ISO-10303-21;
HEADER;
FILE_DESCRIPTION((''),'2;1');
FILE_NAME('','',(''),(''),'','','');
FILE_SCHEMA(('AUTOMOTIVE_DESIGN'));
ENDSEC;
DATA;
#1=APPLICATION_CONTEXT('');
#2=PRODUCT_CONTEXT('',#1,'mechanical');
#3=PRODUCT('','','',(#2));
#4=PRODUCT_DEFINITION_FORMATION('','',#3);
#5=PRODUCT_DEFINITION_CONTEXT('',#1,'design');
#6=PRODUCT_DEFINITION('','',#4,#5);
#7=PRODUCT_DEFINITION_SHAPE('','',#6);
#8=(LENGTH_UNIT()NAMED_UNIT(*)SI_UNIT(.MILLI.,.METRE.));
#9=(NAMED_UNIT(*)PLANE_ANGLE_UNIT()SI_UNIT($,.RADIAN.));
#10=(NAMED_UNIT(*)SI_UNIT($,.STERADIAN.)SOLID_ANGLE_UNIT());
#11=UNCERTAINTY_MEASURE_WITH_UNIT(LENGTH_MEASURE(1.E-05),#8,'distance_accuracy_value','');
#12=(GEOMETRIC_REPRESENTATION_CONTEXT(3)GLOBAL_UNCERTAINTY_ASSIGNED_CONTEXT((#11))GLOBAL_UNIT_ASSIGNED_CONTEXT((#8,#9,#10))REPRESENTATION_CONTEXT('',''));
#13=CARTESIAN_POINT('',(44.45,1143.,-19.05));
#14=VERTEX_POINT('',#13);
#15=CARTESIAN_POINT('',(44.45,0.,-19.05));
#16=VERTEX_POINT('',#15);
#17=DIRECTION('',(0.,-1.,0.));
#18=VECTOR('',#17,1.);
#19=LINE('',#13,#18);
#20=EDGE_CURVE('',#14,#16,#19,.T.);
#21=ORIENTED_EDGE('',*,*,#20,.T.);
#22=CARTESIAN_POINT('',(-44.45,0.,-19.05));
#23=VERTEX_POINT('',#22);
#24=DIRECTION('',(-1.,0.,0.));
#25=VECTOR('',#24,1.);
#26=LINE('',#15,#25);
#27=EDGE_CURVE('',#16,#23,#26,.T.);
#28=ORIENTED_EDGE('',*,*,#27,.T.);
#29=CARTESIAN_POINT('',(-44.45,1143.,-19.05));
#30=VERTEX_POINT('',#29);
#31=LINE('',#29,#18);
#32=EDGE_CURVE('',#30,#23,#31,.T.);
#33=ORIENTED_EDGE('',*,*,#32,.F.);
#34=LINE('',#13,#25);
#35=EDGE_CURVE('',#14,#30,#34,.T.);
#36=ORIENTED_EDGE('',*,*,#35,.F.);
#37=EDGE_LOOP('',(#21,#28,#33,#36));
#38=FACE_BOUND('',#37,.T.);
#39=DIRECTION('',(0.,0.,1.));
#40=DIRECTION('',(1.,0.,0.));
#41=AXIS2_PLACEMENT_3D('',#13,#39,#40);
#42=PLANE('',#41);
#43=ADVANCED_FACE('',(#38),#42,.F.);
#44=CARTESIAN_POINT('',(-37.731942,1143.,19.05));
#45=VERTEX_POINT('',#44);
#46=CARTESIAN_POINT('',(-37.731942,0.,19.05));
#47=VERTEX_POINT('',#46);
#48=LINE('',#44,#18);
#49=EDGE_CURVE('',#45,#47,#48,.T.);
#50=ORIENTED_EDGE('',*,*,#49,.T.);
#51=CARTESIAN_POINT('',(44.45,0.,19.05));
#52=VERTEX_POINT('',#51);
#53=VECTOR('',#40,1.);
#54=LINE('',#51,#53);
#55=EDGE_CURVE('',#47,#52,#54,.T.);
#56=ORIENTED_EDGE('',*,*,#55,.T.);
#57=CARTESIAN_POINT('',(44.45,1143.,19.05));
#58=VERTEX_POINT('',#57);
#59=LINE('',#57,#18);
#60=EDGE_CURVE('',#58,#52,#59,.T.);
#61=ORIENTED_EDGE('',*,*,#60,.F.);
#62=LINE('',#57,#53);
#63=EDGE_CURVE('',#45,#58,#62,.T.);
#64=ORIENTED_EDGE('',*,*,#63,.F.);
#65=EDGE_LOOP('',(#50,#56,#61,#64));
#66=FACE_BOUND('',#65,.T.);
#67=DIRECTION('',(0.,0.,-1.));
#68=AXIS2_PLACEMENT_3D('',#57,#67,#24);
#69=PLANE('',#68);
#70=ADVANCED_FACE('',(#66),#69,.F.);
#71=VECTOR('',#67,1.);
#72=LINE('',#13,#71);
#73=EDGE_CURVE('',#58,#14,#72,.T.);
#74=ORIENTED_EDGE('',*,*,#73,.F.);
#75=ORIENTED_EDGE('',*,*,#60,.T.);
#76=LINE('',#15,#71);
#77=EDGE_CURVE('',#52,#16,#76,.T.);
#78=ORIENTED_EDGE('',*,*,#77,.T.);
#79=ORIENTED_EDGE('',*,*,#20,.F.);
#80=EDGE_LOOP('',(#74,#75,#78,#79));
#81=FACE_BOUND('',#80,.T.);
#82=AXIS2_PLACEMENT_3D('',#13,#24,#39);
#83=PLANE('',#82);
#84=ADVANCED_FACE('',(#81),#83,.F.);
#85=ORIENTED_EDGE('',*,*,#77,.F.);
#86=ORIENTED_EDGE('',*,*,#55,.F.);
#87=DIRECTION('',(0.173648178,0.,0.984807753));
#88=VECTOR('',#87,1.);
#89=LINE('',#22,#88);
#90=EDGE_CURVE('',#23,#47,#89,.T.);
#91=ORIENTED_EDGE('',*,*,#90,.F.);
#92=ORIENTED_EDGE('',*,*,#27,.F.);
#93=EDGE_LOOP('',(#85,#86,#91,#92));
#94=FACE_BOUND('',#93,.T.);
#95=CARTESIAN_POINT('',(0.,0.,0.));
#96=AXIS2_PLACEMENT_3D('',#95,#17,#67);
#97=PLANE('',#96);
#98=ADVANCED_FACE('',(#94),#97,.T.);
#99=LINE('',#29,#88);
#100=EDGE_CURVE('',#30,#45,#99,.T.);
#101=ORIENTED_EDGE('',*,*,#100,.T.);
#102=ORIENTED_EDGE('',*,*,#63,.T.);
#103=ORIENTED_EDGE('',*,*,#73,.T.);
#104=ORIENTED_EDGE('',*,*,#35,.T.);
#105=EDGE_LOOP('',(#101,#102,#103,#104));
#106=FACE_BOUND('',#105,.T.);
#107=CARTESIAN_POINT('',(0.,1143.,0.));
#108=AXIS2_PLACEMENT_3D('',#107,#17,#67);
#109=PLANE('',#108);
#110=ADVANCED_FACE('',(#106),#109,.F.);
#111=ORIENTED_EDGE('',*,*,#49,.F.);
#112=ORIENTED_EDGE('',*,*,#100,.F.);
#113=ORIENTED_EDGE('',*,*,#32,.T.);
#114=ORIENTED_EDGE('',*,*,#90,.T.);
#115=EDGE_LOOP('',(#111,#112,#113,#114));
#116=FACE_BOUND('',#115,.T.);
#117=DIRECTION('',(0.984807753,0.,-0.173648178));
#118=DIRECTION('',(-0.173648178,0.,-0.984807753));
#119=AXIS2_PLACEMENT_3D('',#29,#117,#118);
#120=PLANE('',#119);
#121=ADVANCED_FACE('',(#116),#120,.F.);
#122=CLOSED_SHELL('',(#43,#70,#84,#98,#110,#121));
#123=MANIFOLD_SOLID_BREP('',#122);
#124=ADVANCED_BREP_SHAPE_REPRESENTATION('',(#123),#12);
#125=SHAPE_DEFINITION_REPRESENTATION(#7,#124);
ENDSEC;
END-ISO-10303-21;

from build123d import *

# Parameters (mm, degrees)
BOSS_EXTRUDE1_DEPTH = 1143


with BuildPart() as part:
    # Sketch1 → Boss-Extrude1 (new body)
    with BuildSketch(Plane(origin=(0, 0, 0), x_dir=(1, 0, 0), z_dir=(0, 1, 0))):
        Polygon((-44.45, 19.05), (-37.731942035, -19.05), (44.45, -19.05), (44.45, 19.05), align=None)
    extrude(amount=BOSS_EXTRUDE1_DEPTH)


solid = part.part
